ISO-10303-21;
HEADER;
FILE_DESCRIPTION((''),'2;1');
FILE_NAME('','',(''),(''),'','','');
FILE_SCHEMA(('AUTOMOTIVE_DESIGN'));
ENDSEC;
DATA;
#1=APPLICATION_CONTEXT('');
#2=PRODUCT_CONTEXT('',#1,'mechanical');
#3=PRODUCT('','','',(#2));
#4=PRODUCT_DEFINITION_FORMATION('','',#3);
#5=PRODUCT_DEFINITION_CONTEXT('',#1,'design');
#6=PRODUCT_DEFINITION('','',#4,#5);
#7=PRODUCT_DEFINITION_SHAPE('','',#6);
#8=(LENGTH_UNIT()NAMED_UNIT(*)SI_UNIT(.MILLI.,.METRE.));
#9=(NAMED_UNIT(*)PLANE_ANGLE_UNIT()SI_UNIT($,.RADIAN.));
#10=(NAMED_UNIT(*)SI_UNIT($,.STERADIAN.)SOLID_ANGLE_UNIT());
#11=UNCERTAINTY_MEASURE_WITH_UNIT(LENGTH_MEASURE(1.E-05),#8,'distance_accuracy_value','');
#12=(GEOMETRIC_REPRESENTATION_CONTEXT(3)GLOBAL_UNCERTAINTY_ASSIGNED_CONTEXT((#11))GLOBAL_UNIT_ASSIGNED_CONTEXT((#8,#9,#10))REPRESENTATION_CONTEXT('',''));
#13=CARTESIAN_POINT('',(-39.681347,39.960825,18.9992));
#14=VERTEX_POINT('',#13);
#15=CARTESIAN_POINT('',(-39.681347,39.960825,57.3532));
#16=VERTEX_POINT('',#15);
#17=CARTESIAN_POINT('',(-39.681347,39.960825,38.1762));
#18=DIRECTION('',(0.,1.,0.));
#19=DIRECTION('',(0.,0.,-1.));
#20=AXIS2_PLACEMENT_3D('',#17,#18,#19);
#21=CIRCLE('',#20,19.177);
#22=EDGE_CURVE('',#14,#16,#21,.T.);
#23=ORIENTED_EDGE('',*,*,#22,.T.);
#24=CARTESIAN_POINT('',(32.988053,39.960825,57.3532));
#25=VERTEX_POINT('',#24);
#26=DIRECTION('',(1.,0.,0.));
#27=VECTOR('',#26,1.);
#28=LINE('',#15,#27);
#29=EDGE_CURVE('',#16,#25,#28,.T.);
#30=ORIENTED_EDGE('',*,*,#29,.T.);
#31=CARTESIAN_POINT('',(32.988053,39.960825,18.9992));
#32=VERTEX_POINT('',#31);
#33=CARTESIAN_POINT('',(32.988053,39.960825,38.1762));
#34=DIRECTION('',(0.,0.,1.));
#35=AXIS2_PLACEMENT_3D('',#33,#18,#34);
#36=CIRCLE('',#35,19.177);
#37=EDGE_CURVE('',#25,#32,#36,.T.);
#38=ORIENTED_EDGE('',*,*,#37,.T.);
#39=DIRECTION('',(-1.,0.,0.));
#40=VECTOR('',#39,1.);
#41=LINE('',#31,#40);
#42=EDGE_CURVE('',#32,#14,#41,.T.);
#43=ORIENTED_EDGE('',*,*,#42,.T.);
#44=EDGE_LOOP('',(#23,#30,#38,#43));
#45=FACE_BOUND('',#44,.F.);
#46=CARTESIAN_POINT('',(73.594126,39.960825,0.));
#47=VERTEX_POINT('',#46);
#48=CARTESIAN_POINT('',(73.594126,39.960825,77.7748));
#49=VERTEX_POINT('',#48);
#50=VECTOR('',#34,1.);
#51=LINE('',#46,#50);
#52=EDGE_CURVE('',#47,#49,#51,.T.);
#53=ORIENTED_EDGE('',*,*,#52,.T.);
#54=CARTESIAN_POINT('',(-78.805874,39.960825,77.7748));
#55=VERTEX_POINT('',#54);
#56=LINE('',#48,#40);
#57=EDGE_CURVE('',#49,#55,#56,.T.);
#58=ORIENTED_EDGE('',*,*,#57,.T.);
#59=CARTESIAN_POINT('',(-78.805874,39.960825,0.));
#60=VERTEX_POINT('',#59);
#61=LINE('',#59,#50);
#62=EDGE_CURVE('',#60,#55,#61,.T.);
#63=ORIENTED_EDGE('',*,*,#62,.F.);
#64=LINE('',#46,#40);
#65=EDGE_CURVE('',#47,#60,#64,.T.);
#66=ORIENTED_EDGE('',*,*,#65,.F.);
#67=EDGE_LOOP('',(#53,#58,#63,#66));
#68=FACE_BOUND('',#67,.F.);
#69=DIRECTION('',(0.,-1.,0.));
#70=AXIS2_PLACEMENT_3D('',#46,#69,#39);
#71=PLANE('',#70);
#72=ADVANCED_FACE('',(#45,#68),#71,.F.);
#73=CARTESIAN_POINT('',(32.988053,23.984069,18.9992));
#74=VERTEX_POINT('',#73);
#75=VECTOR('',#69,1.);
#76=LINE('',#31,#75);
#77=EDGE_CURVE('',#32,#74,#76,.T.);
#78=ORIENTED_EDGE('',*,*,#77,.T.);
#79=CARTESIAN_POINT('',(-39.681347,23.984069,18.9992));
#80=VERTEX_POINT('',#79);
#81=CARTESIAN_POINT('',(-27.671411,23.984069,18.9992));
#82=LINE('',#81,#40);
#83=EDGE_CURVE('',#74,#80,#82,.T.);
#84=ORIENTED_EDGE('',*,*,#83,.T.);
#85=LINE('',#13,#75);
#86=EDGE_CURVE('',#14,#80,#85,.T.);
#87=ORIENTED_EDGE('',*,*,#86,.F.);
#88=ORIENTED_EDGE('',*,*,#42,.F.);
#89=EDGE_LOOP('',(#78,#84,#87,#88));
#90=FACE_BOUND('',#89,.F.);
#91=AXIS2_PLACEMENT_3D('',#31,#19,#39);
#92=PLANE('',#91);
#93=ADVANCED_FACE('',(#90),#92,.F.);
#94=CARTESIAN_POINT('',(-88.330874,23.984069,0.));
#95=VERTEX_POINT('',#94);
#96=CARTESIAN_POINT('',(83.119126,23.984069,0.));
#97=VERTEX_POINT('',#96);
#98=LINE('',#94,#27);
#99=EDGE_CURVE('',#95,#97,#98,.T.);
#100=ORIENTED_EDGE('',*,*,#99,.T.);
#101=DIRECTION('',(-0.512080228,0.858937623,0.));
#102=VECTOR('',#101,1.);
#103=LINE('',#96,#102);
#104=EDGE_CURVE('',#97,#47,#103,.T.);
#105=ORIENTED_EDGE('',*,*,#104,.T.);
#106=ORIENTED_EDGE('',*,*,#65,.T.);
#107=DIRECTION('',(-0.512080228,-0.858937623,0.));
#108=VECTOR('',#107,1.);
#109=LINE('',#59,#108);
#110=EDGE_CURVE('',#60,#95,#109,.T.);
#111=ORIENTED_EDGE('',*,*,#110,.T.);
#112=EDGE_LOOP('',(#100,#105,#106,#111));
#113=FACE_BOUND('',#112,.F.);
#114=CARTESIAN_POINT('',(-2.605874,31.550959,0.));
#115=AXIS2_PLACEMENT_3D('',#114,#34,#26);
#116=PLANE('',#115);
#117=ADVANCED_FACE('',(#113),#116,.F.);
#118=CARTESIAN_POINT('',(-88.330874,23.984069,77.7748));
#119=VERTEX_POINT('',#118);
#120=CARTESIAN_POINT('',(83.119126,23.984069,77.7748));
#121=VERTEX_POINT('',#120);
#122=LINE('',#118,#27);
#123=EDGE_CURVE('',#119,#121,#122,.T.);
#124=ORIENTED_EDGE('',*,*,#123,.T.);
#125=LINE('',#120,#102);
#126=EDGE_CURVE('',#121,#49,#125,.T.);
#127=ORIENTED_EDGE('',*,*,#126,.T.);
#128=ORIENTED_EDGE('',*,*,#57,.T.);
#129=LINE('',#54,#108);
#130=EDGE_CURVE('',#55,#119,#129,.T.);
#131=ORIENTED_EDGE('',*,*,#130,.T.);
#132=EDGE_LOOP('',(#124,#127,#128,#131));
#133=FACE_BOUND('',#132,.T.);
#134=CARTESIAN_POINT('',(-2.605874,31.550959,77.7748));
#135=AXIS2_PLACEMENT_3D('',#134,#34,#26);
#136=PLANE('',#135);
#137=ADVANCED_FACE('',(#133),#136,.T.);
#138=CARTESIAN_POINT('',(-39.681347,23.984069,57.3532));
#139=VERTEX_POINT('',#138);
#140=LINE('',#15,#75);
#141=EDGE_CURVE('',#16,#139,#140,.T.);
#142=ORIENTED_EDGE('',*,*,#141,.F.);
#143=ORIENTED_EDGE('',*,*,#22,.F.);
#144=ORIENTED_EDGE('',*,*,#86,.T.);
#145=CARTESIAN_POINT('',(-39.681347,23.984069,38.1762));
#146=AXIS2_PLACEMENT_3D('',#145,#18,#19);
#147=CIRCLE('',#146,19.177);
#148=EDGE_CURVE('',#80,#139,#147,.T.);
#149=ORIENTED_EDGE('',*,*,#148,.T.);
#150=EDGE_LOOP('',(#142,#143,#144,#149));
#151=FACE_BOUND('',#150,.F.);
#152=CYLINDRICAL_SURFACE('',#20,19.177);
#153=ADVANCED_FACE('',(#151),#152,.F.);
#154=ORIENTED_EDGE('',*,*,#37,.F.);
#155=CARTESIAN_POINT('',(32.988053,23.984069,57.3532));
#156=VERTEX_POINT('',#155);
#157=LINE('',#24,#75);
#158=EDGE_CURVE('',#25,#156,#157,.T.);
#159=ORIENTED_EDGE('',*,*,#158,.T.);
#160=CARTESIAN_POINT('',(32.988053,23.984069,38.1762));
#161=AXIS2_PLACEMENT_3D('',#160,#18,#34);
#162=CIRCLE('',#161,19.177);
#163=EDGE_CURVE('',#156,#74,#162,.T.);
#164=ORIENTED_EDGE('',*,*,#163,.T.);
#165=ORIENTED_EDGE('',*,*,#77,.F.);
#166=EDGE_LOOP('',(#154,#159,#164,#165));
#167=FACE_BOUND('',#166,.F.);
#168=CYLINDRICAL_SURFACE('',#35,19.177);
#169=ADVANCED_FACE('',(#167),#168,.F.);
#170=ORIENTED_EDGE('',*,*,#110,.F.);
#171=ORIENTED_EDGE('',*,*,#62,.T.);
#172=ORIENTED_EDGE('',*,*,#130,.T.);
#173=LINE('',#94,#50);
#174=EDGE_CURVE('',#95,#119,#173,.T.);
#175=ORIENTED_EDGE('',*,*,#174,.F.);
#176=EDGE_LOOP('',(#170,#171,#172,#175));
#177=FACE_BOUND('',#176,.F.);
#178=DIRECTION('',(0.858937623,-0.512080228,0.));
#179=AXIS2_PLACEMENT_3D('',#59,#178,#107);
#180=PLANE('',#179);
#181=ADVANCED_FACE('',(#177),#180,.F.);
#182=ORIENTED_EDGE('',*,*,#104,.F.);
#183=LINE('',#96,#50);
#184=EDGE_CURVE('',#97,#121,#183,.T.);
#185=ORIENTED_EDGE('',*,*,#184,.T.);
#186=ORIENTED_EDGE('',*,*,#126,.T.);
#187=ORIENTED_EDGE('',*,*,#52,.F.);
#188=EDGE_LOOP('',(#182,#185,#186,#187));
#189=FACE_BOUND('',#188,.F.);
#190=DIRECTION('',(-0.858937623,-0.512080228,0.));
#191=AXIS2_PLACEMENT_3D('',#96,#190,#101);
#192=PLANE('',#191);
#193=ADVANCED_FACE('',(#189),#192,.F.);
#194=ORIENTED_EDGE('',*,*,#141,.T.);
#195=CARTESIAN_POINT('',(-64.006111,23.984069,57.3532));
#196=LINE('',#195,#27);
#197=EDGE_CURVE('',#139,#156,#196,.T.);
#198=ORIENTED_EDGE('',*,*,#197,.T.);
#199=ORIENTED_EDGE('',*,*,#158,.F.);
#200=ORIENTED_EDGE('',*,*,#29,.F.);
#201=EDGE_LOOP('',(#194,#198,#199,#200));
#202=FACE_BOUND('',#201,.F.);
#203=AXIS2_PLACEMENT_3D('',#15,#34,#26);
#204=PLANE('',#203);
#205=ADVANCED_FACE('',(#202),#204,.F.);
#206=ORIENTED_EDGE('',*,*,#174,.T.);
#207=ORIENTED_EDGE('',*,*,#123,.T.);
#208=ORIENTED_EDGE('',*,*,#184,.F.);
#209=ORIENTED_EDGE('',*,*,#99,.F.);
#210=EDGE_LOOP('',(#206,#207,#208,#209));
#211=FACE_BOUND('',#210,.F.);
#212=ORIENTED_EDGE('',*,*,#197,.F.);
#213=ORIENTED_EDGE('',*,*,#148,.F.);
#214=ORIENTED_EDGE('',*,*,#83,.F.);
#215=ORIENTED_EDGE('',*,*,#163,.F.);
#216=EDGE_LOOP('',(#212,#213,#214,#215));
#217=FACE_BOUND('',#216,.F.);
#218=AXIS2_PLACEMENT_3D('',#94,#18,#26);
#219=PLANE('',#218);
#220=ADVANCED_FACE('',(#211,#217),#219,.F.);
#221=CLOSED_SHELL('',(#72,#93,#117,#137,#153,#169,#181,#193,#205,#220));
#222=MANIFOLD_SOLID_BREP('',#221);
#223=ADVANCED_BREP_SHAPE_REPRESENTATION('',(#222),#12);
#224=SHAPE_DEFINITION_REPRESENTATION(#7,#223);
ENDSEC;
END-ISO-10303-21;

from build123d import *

# Parameters (mm, degrees)
F1_DEPTH = 77.7748
F3_DEPTH = 25.4


with BuildPart() as f1:
    # F0 (on Top) → F1 (new body)
    with BuildSketch(Plane.XY):
        Polygon((73.594126, 39.960825), (-78.805874, 39.960825), (-88.330874, 23.984069), (83.119126, 23.984069), align=None)
    extrude(amount=F1_DEPTH)

    # F2 (on face) → F3 (cut)
    with BuildSketch(Plane(origin=(0, 39.960825, 0), x_dir=(-1, 0, 0), z_dir=(0, 1, 0))):
        with BuildLine():
            Line((39.681347, 57.3532), (-32.988053, 57.3532))
            ThreePointArc((-32.988053, 57.3532), (-52.165053, 38.1762), (-32.988053, 18.9992))
            Line((-32.988053, 18.9992), (39.681347, 18.9992))
            ThreePointArc((39.681347, 18.9992), (58.858347, 38.1762), (39.681347, 57.3532))
        make_face()
    extrude(amount=-F3_DEPTH, mode=Mode.SUBTRACT)


solid = f1.part
